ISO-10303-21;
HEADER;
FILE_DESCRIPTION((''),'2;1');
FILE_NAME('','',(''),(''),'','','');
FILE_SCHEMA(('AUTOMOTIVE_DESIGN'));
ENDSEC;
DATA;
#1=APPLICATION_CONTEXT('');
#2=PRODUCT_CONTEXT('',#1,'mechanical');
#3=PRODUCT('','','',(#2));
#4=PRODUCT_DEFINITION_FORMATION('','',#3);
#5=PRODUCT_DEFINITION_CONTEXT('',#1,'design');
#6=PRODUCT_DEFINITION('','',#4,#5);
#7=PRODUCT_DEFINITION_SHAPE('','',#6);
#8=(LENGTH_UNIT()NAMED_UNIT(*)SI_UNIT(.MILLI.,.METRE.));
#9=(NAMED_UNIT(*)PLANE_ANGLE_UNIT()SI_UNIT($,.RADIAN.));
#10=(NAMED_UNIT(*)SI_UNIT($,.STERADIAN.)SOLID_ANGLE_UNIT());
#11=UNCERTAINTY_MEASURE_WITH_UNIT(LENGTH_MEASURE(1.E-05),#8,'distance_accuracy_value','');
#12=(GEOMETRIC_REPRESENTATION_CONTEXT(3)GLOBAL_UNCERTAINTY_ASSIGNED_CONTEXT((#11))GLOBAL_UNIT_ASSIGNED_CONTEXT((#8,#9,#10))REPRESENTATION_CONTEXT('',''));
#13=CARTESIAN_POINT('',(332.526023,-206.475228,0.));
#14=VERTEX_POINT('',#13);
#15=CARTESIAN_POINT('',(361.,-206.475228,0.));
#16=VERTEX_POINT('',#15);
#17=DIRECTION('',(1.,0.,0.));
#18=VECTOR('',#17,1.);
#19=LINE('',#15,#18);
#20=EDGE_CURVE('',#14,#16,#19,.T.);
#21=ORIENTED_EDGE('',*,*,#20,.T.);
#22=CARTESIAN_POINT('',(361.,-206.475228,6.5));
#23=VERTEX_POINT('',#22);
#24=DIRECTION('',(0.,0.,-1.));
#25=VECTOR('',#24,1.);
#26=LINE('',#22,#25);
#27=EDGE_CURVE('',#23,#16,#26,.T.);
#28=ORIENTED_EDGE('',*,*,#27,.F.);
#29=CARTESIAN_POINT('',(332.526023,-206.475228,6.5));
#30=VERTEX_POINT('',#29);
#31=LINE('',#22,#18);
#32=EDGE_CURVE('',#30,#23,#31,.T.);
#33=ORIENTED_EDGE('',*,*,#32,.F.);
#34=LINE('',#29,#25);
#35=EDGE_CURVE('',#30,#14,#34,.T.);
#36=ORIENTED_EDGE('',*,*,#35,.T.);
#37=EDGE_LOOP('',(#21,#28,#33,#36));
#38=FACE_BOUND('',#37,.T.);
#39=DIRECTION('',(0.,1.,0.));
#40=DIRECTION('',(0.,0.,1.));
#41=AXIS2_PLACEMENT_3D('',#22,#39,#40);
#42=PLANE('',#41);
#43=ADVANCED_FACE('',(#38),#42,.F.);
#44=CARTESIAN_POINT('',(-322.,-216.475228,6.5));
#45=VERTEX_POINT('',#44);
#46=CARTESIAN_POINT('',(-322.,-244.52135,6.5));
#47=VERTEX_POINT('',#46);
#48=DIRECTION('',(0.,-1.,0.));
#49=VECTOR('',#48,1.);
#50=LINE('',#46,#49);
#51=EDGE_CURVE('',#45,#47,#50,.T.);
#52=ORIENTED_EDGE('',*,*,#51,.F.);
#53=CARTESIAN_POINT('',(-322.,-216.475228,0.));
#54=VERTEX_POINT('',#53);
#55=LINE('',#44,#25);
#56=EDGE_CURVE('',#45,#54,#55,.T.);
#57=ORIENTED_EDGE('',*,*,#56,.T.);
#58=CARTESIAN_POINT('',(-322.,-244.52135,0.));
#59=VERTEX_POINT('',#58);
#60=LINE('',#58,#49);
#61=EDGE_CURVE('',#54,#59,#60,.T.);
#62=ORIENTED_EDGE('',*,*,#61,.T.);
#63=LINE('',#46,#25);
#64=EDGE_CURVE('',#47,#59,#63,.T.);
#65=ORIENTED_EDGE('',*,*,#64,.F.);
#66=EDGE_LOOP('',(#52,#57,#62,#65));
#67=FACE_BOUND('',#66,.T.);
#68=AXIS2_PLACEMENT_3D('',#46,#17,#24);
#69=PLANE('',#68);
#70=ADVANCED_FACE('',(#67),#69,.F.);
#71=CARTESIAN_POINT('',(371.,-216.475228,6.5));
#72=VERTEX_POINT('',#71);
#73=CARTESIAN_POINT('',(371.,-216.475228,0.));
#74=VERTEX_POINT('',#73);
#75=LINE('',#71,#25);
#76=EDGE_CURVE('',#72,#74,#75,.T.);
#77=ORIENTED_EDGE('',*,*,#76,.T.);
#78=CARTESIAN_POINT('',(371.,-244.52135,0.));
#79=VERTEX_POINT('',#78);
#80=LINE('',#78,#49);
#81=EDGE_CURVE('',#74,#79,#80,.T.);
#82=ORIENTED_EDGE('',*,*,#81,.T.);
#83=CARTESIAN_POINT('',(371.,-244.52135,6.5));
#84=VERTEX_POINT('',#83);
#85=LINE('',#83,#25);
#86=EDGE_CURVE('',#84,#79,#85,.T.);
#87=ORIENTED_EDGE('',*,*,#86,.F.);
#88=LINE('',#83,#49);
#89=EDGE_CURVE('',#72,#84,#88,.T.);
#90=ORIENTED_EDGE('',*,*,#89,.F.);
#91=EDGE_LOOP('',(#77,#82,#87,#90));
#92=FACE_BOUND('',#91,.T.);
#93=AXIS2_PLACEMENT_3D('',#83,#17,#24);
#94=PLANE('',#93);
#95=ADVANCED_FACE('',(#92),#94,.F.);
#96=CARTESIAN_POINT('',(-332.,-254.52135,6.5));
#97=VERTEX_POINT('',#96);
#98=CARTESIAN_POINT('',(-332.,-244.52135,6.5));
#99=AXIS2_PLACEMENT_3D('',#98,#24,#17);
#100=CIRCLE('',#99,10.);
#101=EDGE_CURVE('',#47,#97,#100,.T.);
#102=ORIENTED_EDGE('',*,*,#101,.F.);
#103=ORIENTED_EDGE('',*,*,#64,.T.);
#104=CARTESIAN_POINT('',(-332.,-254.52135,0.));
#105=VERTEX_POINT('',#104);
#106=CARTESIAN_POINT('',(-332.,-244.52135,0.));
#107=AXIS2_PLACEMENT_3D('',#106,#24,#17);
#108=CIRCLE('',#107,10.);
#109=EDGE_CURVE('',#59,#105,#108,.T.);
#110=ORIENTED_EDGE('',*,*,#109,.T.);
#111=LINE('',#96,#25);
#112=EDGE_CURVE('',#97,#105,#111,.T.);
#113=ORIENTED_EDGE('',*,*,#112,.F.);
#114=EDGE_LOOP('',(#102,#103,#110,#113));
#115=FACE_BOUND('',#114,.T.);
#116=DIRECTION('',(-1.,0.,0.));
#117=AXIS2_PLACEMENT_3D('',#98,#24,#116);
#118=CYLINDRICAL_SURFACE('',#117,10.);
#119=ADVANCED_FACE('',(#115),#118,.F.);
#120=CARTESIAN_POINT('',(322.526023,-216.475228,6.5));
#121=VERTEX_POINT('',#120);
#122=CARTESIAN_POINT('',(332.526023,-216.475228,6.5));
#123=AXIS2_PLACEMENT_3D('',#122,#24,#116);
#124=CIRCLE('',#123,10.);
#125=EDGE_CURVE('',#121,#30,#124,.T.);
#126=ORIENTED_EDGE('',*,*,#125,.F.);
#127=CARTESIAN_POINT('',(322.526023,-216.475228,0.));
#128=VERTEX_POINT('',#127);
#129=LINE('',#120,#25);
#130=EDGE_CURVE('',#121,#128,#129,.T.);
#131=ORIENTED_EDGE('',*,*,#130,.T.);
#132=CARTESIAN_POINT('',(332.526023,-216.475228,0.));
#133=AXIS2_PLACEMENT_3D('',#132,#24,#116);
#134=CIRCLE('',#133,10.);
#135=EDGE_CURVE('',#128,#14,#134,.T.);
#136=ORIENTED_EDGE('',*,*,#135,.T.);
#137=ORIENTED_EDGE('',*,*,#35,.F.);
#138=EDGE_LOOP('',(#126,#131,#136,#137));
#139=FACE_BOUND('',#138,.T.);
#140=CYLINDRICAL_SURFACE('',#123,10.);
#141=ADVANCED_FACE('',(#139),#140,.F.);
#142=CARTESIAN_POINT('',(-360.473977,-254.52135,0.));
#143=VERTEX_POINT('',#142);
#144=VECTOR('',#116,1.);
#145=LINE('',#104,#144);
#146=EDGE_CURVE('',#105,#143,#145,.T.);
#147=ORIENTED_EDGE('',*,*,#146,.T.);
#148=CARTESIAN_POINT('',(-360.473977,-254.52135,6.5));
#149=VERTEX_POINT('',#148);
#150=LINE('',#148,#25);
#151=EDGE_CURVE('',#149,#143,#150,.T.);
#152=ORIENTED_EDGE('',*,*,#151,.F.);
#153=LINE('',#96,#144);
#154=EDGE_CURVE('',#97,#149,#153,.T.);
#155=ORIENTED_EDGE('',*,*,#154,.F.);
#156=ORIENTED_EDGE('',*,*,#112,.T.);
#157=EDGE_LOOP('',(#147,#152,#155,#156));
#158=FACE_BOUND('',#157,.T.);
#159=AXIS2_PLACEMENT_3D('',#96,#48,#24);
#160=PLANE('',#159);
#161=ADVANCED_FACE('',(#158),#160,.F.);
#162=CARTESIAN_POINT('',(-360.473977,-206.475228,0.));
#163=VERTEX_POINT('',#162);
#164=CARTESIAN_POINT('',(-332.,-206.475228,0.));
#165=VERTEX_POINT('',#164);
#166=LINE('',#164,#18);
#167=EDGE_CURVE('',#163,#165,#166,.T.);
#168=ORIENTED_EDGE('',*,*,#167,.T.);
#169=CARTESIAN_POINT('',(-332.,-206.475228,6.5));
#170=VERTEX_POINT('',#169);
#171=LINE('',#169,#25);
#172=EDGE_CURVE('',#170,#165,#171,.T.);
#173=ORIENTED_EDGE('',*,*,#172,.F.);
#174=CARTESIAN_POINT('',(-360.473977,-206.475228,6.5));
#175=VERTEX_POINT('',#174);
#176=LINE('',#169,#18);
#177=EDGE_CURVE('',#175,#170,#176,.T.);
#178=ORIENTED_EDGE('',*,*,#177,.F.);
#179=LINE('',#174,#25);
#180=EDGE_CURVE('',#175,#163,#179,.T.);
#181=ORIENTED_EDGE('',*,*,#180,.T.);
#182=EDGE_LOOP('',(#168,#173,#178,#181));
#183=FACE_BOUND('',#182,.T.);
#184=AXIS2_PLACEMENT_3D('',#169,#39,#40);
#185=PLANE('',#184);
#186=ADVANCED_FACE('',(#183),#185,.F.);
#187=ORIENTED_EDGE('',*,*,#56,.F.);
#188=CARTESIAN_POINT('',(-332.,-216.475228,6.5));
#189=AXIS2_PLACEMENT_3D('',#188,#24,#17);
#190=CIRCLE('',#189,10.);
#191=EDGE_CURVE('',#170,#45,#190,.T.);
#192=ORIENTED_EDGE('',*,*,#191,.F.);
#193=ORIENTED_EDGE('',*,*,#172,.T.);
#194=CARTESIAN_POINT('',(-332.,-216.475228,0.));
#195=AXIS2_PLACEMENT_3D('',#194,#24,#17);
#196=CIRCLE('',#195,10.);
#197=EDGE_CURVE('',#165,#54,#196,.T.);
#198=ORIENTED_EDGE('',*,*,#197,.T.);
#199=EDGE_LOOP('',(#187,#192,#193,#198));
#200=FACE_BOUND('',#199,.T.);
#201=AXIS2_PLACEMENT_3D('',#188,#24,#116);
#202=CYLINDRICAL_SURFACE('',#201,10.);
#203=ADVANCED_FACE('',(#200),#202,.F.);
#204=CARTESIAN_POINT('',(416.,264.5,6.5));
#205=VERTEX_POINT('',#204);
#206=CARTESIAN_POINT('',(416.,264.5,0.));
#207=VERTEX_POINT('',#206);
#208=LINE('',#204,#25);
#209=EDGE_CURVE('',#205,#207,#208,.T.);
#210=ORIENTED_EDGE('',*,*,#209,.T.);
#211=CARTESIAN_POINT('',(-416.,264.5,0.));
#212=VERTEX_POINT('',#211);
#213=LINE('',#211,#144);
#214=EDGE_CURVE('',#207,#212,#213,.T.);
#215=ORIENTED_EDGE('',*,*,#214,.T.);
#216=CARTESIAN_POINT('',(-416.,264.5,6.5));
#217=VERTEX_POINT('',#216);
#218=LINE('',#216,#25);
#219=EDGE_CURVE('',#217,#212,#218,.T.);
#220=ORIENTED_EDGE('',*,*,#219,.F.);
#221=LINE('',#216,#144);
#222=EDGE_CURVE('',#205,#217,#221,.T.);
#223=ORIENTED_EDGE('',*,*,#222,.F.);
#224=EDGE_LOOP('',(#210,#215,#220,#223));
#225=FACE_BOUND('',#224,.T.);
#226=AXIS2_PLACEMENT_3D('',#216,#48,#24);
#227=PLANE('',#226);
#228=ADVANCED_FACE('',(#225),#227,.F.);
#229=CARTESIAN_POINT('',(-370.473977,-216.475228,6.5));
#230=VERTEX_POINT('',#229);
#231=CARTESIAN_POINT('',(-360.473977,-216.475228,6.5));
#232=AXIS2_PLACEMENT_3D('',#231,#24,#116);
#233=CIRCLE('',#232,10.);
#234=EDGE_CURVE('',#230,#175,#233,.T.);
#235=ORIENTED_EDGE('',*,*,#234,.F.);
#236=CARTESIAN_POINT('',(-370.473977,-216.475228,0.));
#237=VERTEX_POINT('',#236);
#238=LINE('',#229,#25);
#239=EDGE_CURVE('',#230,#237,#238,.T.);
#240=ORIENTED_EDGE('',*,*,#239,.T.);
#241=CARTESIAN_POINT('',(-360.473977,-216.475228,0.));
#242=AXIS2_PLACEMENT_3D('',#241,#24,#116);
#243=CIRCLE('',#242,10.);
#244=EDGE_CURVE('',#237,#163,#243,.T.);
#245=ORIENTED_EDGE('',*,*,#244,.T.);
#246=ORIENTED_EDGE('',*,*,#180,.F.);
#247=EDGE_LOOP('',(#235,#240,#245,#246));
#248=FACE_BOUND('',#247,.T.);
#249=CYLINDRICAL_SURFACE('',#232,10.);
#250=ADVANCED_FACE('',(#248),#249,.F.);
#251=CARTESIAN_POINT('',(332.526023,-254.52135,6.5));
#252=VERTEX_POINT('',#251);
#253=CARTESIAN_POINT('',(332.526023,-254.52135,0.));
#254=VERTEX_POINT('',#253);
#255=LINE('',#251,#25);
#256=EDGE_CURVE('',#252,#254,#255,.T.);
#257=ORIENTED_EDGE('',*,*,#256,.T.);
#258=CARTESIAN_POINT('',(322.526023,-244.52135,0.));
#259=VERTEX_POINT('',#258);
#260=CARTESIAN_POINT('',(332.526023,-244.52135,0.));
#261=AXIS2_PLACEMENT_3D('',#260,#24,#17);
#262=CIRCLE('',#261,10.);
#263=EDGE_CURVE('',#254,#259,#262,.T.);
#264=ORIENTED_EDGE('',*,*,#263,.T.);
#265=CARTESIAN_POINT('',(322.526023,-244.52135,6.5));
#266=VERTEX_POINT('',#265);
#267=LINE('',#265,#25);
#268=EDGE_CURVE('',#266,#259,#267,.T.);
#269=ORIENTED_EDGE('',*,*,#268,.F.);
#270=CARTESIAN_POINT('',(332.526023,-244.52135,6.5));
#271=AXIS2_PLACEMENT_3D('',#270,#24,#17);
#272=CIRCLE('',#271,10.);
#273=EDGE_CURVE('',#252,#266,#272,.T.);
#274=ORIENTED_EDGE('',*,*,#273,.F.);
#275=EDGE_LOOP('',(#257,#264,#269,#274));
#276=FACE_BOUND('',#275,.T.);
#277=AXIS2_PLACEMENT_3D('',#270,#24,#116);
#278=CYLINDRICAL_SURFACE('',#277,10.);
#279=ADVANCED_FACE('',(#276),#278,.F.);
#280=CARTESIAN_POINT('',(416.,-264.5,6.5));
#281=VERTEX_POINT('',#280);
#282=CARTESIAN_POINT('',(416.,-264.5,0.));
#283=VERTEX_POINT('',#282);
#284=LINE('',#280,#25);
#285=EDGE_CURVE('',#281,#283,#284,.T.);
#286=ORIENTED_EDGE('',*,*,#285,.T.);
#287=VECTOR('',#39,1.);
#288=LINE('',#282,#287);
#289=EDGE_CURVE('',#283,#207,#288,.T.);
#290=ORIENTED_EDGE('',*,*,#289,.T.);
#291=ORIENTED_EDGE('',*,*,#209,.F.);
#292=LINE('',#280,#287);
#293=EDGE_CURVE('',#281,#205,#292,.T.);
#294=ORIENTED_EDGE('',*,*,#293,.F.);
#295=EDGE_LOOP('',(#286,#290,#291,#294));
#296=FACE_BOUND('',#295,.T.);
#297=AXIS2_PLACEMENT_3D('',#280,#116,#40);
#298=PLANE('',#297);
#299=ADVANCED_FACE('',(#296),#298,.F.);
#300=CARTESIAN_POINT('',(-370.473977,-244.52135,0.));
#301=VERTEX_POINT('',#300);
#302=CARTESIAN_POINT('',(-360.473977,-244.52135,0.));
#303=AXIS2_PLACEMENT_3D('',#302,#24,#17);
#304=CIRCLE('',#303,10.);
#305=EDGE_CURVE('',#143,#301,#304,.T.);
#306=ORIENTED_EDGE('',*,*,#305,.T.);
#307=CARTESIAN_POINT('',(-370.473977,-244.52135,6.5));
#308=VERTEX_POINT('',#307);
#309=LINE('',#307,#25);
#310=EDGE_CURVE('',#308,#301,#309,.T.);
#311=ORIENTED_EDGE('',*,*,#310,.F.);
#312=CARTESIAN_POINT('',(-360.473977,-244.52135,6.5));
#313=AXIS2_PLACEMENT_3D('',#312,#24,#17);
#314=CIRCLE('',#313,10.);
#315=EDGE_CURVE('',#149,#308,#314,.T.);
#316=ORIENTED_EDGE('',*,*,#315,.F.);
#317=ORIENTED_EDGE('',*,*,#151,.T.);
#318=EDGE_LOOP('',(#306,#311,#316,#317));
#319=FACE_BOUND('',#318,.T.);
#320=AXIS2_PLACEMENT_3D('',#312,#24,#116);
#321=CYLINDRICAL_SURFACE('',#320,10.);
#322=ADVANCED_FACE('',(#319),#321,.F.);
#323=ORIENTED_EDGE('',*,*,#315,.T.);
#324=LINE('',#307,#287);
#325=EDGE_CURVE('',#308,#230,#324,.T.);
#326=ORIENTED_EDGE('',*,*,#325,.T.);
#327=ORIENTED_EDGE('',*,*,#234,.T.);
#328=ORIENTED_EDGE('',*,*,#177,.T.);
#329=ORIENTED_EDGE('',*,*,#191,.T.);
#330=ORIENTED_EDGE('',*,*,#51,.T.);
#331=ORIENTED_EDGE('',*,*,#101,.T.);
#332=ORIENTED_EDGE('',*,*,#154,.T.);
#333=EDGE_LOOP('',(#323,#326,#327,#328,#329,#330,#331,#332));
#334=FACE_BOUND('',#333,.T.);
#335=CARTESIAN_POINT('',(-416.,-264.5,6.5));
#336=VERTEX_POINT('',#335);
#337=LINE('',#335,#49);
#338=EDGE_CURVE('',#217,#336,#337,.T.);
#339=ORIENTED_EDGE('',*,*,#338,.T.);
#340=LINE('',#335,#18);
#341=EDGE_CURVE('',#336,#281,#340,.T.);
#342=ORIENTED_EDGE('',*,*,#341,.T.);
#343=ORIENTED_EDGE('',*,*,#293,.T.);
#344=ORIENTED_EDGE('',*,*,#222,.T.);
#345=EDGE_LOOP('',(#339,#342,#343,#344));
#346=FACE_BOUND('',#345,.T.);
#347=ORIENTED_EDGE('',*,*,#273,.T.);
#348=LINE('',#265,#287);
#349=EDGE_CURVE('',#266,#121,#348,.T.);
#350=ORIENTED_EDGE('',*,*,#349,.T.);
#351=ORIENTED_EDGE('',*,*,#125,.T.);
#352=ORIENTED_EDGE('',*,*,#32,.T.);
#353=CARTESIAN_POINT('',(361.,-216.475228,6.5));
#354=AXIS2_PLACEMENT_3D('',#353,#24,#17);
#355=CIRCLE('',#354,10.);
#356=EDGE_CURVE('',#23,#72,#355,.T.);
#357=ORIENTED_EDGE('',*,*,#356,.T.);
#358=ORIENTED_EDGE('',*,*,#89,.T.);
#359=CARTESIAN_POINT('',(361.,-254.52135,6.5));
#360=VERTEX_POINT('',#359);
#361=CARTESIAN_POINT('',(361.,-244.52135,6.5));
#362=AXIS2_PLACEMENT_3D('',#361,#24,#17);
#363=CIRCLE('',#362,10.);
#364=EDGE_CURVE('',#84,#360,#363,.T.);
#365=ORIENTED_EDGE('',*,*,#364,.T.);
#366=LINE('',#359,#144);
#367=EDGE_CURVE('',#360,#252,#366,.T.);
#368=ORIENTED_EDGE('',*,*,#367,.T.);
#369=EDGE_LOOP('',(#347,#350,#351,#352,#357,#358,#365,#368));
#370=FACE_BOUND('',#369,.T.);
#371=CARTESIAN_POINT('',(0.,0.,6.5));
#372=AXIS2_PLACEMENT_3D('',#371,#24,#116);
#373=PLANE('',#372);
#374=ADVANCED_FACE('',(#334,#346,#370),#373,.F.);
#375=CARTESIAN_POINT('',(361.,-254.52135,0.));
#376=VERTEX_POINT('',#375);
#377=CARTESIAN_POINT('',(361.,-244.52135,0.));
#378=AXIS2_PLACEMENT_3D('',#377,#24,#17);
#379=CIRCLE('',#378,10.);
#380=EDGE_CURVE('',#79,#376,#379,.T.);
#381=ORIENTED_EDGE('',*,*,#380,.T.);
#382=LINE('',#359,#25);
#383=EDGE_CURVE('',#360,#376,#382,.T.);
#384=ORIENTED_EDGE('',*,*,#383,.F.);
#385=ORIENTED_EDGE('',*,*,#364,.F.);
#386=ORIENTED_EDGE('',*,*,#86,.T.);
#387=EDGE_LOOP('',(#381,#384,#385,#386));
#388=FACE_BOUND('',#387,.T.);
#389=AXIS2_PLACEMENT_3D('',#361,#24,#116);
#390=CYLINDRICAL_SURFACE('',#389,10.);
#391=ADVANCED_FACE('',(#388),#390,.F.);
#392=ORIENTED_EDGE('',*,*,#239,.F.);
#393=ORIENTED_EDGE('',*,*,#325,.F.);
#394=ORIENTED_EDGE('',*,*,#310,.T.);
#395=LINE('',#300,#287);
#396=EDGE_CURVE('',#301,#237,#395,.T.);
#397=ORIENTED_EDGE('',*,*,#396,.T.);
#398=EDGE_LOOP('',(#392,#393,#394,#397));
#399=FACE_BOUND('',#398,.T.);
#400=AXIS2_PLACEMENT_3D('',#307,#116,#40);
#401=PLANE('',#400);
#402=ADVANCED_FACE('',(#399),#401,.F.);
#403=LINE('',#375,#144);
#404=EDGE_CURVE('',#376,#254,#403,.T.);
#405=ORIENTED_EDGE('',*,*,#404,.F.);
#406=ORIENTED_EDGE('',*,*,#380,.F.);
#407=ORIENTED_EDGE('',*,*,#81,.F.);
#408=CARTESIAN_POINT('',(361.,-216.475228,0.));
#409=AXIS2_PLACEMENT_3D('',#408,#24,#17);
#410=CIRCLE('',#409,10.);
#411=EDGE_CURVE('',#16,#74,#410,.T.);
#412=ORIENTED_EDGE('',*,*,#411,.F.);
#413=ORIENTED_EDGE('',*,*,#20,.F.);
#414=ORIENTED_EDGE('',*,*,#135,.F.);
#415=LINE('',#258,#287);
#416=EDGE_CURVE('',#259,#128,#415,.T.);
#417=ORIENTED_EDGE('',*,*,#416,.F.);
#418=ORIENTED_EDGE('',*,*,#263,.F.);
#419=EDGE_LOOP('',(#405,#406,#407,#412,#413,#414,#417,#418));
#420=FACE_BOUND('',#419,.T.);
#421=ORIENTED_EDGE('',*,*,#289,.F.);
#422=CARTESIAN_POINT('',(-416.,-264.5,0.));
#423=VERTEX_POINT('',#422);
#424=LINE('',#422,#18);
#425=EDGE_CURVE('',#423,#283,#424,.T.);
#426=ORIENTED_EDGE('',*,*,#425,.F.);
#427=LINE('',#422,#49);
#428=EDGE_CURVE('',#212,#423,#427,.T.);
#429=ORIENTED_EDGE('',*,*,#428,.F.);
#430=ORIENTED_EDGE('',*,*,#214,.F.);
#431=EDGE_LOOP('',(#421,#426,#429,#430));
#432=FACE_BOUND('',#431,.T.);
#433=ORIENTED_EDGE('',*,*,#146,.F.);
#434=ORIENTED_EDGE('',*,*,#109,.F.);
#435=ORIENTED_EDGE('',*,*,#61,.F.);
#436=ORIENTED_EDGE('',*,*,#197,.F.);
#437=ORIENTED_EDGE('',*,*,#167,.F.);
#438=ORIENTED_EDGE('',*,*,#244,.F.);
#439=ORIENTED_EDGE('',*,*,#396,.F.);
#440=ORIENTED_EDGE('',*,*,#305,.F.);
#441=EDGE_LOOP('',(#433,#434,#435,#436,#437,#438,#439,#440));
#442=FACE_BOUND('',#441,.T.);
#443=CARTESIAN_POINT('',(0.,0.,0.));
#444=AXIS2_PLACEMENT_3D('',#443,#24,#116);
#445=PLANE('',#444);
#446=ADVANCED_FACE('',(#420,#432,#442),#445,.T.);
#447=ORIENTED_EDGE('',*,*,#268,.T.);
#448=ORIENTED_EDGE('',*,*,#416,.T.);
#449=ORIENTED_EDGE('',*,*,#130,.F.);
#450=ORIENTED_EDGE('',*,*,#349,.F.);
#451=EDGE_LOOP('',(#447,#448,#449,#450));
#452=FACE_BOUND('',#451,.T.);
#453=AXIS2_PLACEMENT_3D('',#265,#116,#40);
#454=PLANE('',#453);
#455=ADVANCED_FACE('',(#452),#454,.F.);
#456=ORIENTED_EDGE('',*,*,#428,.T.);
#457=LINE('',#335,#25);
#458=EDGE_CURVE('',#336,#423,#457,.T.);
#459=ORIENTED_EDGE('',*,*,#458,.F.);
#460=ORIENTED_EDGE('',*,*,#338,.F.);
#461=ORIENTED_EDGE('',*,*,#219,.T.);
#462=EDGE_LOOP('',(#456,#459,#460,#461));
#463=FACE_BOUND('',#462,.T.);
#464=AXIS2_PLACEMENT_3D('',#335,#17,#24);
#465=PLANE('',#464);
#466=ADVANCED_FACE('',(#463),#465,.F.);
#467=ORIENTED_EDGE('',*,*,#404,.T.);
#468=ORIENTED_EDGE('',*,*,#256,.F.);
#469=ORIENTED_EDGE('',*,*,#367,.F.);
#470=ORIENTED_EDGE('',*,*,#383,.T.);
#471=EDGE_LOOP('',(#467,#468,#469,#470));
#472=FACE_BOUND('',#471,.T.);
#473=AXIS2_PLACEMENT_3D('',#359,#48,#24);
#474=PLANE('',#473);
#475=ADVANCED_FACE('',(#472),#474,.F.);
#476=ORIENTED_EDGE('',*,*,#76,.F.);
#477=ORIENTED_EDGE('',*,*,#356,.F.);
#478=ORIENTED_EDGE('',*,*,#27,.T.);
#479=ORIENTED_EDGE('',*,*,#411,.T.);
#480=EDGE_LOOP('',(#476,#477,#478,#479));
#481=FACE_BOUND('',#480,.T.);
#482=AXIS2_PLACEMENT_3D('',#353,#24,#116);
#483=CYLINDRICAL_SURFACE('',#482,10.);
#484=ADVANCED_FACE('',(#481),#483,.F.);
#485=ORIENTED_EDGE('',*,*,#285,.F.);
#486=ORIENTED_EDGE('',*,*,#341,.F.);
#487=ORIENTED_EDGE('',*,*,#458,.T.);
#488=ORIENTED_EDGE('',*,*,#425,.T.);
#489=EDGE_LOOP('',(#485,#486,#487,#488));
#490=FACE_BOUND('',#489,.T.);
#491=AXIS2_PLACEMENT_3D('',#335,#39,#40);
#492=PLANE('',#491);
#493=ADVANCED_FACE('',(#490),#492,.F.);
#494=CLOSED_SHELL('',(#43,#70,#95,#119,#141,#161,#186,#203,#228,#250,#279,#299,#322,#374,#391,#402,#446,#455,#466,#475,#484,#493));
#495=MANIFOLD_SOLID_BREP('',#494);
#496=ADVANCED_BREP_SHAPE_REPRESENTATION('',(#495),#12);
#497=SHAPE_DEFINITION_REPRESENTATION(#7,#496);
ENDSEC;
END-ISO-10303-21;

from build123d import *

# Parameters (mm, degrees)
ESQUISSE1_W                = 832
ESQUISSE1_H                = 529
BOSS_EXTRU_1_DEPTH         = 6.5
ENL_V_MAT_EXTRU_1_DEPTH    = 494.009634794
R_P_TITION_LIN_AIRE1_COUNT = 2
R_P_TITION_LIN_AIRE1_PITCH = 693


with BuildPart() as part:
    # Esquisse1 → Boss.-Extru.1 (new body)
    with BuildSketch(Plane.XY):
        Rectangle(ESQUISSE1_W, ESQUISSE1_H)
    extrude(amount=BOSS_EXTRU_1_DEPTH)

    # Esquisse2 → Enlèv. mat.-Extru.1 (cut, through all)
    with BuildSketch(Plane(origin=(0, 0, 0), x_dir=(-1, 0, 0), z_dir=(0, 0, -1))):
        with BuildLine():
            Line((-361, -254.521350197), (-332.52602316, -254.521350197))
            ThreePointArc((-332.52602316, -254.521350197), (-325.454955349, -251.592418009), (-322.52602316, -244.521350197))
            Line((-322.52602316, -244.521350197), (-322.52602316, -216.475228476))
            ThreePointArc((-322.52602316, -216.475228476), (-325.454955349, -209.404160664), (-332.52602316, -206.475228476))
            Line((-332.52602316, -206.475228476), (-361, -206.475228476))
            ThreePointArc((-361, -206.475228476), (-368.071067812, -209.404160664), (-371, -216.475228476))
            Line((-371, -216.475228476), (-371, -244.521350197))
            ThreePointArc((-371, -244.521350197), (-368.071067812, -251.592418009), (-361, -254.521350197))
        make_face()
    enl_v_mat_extru_1 = extrude(amount=-ENL_V_MAT_EXTRU_1_DEPTH, mode=Mode.SUBTRACT)

    # Répétition linéaire1: Enlèv. mat.-Extru.1 ×2
    with Locations(*[(-i * R_P_TITION_LIN_AIRE1_PITCH, 0, 0) for i in range(1, R_P_TITION_LIN_AIRE1_COUNT)]):
        add(enl_v_mat_extru_1, mode=Mode.SUBTRACT)


solid = part.part
